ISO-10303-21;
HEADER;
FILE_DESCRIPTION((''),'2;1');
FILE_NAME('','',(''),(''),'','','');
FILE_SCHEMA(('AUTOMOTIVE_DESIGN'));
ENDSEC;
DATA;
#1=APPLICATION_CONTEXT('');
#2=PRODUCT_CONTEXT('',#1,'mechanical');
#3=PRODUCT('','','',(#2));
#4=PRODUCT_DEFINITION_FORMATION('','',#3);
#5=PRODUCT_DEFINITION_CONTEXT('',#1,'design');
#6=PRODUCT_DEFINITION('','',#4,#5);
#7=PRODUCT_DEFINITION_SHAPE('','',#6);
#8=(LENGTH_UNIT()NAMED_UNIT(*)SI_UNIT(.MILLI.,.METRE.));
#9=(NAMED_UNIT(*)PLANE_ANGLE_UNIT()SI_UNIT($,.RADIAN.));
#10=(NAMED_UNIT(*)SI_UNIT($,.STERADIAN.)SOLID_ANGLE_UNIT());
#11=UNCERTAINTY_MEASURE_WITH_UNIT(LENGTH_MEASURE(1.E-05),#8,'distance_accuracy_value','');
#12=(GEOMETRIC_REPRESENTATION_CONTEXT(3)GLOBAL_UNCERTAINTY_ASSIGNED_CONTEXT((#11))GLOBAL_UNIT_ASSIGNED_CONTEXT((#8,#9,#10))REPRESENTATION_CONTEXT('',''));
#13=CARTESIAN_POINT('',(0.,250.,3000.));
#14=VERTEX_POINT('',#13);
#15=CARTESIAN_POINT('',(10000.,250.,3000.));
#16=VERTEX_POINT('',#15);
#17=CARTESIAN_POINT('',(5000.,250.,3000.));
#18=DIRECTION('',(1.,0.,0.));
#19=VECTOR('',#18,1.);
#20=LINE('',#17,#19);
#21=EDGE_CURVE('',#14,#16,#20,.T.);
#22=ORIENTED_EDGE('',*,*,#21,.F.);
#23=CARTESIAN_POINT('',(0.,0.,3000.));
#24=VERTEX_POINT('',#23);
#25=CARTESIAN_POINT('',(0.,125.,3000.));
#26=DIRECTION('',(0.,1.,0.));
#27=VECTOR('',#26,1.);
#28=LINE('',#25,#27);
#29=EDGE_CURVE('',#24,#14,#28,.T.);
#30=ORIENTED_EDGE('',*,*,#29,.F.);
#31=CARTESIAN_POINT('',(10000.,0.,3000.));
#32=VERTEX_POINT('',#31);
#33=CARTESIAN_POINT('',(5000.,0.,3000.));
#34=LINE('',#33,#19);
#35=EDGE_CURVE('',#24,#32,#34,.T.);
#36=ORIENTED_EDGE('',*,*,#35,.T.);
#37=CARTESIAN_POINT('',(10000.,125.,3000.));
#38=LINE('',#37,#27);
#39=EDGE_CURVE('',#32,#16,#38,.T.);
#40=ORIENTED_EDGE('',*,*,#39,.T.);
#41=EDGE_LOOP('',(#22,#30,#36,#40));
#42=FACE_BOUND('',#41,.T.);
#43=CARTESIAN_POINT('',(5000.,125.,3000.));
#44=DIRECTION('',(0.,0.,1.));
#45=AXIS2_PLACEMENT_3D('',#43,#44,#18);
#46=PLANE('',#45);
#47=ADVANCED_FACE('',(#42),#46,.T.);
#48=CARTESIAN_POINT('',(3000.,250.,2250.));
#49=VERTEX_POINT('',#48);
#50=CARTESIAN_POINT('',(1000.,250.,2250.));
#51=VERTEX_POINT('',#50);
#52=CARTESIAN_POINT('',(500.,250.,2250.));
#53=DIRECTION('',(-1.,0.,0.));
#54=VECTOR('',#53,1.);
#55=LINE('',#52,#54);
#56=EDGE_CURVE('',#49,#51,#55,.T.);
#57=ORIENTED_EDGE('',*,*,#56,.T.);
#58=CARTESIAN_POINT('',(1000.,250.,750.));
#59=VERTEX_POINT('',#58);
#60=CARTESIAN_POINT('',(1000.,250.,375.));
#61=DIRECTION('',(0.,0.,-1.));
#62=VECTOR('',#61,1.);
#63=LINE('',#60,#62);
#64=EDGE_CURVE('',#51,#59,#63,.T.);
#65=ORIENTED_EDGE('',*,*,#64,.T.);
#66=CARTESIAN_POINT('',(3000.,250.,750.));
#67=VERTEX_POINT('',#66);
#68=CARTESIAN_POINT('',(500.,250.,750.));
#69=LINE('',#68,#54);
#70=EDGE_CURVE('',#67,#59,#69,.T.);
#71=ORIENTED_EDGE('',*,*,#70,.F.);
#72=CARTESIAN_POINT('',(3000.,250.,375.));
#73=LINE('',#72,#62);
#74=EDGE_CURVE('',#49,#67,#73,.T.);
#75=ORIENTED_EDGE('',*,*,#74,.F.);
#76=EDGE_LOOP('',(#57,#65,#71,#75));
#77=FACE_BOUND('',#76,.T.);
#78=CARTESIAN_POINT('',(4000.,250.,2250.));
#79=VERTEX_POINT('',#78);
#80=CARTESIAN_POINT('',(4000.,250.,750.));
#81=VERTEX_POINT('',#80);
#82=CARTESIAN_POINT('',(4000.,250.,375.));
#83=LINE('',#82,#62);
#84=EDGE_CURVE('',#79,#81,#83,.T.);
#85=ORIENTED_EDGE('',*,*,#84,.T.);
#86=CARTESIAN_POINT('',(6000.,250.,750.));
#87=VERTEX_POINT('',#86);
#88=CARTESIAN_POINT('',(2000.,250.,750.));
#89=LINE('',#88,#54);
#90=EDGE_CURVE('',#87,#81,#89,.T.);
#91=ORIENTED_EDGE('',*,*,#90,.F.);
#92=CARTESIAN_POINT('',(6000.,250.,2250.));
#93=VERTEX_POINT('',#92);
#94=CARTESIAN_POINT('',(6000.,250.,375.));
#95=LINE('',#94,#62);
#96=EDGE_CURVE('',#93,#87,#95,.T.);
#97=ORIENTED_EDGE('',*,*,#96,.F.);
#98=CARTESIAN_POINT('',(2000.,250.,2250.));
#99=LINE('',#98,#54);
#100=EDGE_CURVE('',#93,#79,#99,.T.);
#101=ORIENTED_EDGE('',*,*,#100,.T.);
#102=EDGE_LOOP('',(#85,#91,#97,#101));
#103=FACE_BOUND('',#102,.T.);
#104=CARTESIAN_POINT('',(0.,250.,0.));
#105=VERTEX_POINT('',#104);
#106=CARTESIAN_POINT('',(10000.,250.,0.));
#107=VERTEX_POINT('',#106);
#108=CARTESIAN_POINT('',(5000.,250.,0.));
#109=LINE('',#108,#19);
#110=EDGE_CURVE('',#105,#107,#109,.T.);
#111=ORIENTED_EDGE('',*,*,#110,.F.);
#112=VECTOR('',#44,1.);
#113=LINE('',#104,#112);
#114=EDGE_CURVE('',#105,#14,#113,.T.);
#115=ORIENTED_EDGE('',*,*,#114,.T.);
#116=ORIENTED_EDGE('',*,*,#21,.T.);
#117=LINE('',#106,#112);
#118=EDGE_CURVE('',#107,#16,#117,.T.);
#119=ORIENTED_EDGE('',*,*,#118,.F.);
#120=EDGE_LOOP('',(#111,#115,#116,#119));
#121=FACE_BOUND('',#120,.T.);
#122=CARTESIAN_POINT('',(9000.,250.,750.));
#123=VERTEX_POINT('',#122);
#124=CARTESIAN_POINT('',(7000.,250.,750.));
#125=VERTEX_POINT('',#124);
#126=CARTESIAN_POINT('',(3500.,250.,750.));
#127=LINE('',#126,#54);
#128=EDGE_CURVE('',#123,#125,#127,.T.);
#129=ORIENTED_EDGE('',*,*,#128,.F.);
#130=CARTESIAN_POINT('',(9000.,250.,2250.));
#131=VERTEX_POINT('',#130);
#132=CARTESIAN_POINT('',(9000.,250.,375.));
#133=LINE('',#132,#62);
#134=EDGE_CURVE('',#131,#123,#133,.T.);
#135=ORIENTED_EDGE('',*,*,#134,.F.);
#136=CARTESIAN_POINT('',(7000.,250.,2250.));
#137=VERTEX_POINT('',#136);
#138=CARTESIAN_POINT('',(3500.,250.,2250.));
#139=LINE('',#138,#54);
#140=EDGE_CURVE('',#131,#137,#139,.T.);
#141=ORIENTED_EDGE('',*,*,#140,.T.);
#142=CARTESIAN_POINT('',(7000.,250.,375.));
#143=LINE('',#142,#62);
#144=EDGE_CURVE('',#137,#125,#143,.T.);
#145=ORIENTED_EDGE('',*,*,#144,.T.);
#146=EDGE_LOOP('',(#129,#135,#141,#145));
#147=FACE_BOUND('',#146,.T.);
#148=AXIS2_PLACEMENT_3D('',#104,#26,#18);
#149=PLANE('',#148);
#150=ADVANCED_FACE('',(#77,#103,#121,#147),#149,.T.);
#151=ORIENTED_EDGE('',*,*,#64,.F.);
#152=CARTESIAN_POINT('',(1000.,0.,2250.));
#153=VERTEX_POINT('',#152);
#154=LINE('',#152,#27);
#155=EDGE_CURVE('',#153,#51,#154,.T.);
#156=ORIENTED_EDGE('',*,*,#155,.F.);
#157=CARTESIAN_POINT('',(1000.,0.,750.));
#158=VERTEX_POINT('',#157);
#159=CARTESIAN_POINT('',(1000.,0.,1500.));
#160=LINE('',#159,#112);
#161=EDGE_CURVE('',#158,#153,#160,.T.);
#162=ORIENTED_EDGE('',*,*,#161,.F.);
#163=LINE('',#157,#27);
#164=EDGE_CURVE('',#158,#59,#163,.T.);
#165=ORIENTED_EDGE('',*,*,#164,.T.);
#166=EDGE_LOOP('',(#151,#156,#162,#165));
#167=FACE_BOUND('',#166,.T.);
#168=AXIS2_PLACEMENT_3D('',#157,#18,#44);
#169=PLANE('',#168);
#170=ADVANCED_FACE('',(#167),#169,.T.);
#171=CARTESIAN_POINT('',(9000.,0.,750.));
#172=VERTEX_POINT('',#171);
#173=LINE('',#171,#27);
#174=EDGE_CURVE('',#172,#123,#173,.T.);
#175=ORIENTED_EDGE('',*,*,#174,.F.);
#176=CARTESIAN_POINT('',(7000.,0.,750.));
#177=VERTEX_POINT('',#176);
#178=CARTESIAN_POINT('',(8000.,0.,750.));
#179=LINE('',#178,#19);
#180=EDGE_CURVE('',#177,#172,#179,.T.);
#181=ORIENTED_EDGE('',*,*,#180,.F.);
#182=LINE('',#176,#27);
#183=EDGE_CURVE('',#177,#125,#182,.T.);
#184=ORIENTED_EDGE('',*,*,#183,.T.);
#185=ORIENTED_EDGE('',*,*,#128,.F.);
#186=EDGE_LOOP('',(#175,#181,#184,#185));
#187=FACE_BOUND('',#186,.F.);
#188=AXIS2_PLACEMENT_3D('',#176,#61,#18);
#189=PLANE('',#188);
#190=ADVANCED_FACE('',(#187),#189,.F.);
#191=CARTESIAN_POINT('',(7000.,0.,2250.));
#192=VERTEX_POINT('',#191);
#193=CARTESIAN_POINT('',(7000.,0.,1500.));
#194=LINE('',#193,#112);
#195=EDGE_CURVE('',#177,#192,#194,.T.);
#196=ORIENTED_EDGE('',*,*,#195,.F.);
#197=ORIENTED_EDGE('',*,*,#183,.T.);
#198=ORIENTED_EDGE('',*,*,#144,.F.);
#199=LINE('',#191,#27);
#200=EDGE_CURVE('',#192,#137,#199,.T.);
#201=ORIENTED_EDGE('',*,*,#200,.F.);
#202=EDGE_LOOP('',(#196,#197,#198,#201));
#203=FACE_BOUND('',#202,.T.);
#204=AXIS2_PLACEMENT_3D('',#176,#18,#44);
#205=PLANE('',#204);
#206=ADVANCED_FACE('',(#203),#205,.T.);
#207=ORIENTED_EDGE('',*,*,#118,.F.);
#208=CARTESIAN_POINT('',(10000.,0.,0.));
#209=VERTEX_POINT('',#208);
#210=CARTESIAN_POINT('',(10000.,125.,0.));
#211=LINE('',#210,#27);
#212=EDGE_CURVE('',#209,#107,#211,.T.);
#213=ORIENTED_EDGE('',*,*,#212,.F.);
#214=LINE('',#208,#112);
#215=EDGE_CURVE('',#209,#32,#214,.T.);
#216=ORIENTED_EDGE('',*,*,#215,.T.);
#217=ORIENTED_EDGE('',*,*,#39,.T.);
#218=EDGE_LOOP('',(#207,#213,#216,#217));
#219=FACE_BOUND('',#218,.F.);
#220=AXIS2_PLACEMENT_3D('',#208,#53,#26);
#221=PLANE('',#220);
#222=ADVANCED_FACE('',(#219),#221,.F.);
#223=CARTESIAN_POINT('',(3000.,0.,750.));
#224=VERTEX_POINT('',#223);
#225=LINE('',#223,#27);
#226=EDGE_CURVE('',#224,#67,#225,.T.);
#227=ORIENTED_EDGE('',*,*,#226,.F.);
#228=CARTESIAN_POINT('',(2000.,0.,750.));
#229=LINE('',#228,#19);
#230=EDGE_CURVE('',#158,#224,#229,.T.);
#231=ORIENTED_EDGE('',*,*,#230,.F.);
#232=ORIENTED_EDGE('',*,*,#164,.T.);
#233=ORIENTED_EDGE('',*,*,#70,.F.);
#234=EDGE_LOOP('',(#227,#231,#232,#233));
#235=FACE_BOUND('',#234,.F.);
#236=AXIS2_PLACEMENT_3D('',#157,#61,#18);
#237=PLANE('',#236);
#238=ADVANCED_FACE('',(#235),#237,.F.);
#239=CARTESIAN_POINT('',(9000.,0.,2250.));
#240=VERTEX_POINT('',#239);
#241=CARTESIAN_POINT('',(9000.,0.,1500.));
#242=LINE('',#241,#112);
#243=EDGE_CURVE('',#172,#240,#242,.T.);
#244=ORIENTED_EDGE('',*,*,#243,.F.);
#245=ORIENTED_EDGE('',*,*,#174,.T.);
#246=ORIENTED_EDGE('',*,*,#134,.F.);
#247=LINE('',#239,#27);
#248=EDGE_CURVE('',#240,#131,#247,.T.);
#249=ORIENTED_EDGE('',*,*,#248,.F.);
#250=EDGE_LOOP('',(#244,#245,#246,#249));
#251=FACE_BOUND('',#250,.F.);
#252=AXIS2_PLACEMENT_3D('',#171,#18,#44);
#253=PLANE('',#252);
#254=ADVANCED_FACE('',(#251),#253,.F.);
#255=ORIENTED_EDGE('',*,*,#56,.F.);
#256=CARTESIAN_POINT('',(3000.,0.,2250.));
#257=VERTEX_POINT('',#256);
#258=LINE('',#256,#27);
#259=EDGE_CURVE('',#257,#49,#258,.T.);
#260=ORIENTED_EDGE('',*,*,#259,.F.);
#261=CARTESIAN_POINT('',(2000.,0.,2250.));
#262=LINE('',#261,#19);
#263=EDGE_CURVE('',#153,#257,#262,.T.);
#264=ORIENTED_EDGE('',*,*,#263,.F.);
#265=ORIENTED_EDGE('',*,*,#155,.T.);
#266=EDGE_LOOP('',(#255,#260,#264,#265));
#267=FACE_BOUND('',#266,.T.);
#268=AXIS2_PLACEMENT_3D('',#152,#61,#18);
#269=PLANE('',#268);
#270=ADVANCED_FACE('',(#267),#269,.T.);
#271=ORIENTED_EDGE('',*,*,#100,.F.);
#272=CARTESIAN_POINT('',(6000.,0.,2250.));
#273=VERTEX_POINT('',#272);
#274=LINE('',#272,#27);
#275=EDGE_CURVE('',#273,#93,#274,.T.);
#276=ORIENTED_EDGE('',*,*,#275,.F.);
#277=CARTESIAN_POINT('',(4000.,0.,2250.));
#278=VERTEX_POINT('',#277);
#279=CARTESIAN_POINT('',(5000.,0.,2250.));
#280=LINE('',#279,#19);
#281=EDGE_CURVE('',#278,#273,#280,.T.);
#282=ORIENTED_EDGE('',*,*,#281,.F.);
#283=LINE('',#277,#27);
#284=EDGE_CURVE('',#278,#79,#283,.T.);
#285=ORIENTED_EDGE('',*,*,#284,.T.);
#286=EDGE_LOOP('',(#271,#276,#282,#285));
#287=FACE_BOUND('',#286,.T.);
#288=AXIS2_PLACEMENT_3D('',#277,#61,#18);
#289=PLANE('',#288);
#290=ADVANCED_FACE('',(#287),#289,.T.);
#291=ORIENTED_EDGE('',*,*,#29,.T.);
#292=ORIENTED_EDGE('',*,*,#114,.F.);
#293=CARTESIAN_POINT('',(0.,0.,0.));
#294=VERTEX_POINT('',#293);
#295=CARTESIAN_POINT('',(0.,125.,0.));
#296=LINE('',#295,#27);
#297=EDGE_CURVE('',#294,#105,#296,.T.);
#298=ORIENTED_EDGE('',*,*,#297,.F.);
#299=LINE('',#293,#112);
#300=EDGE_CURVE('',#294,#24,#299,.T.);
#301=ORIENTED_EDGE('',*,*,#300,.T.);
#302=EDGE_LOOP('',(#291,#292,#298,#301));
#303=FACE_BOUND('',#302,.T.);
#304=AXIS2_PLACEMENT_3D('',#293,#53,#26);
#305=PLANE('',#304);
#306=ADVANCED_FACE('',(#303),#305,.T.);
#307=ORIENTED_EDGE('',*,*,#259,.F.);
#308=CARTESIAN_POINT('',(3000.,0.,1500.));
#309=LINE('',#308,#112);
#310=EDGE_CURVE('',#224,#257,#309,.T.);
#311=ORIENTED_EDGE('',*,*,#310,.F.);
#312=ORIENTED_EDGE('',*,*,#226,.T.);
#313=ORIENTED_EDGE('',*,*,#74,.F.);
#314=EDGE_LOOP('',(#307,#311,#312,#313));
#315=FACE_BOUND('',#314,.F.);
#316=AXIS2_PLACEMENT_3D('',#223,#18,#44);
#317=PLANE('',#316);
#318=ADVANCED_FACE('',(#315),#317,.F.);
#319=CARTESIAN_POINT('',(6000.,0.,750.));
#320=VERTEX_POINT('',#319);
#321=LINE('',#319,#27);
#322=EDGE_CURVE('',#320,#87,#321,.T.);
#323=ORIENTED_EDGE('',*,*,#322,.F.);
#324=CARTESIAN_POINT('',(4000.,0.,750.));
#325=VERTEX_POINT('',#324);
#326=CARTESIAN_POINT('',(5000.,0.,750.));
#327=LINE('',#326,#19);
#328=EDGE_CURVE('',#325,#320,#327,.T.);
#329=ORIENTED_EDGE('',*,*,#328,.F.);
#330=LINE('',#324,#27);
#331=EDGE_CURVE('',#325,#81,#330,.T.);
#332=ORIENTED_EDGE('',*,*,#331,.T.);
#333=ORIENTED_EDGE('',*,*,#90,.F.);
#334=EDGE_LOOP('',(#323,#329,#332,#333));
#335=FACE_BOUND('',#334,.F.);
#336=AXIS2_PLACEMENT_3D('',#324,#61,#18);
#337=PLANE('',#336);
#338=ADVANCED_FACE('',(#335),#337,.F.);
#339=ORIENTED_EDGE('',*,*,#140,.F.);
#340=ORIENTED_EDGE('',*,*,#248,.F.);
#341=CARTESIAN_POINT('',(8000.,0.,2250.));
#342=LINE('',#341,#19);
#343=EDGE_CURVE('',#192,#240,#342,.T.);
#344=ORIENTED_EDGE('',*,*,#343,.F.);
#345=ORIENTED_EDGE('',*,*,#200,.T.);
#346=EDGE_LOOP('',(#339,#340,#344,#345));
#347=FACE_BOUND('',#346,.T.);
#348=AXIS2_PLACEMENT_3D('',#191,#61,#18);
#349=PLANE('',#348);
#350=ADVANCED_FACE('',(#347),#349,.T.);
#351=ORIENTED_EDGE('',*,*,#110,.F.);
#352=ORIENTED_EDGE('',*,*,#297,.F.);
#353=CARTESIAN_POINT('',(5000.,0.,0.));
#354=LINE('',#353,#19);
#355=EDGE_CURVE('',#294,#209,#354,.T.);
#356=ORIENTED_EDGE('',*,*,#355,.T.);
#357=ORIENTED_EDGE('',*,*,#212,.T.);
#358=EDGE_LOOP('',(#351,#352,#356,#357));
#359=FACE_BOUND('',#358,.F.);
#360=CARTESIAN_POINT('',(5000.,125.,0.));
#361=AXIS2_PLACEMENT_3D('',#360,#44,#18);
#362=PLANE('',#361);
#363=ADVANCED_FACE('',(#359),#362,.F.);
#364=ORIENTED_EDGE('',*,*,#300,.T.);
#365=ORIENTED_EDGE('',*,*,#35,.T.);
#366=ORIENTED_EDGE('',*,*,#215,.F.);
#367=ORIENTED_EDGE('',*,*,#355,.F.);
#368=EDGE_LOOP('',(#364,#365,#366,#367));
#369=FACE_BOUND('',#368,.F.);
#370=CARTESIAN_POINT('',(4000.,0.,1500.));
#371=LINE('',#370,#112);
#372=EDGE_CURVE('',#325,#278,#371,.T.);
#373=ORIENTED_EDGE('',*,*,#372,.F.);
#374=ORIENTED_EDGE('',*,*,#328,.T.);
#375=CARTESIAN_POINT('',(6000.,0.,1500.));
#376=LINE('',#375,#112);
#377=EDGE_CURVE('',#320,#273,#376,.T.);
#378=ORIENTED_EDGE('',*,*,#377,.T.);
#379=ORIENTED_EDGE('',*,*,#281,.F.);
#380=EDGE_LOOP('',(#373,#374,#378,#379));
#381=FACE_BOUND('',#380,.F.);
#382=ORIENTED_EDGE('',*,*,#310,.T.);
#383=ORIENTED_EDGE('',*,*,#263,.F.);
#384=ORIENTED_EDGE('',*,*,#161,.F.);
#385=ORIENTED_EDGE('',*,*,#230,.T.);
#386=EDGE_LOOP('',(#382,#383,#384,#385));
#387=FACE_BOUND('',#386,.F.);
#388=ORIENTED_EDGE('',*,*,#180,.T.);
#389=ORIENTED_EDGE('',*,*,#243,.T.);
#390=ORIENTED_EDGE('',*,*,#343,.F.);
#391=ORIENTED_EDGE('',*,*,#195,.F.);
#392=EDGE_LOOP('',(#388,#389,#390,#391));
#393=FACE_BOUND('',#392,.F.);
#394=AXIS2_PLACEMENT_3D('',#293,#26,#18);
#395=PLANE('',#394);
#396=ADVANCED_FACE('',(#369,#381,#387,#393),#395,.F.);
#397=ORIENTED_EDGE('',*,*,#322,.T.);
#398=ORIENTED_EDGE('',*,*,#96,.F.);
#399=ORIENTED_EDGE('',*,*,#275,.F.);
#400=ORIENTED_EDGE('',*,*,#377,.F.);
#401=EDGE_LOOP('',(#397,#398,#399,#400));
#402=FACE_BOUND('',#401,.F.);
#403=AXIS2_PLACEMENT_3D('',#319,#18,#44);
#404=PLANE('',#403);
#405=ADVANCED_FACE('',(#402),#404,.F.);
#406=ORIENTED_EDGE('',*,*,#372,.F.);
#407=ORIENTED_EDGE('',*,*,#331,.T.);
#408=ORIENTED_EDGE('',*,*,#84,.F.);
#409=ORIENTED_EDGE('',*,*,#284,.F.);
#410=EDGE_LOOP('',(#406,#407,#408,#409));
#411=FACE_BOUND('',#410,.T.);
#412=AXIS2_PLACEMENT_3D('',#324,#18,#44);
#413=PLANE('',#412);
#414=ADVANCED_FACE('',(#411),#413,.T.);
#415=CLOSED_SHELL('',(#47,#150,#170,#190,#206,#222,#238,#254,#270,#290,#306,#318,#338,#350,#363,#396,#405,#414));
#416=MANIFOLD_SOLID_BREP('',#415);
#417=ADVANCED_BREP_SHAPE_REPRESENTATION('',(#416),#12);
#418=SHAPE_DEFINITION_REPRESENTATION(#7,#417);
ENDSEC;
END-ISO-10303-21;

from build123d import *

# Parameters (mm, degrees)
SKETCH_W      = 2000
SKETCH_H      = 1500
EXTRUDE_DEPTH = 350
BOX_W         = 10000
BOX_H         = 250
BOX_DEPTH     = 3000


with BuildPart() as extrude_body:
    # Sketch (on Face3 of Box) → Extrude (new body)
    with BuildSketch(Plane.XZ):
        with Locations((2000, 1500)):
            Rectangle(SKETCH_W, SKETCH_H)
        with Locations((5000, 1500)):
            Rectangle(SKETCH_W, SKETCH_H)
        with Locations((8000, 1500)):
            Rectangle(SKETCH_W, SKETCH_H)
    extrude(amount=-EXTRUDE_DEPTH)


with BuildPart() as cut:
    # Box → Box (new body)
    with BuildSketch(Plane.XY):
        with Locations((5000, 125)):
            Rectangle(BOX_W, BOX_H)
    extrude(amount=BOX_DEPTH)

    # Cut: cut Extrude body
    add(extrude_body.part, mode=Mode.SUBTRACT)


solid = cut.part
